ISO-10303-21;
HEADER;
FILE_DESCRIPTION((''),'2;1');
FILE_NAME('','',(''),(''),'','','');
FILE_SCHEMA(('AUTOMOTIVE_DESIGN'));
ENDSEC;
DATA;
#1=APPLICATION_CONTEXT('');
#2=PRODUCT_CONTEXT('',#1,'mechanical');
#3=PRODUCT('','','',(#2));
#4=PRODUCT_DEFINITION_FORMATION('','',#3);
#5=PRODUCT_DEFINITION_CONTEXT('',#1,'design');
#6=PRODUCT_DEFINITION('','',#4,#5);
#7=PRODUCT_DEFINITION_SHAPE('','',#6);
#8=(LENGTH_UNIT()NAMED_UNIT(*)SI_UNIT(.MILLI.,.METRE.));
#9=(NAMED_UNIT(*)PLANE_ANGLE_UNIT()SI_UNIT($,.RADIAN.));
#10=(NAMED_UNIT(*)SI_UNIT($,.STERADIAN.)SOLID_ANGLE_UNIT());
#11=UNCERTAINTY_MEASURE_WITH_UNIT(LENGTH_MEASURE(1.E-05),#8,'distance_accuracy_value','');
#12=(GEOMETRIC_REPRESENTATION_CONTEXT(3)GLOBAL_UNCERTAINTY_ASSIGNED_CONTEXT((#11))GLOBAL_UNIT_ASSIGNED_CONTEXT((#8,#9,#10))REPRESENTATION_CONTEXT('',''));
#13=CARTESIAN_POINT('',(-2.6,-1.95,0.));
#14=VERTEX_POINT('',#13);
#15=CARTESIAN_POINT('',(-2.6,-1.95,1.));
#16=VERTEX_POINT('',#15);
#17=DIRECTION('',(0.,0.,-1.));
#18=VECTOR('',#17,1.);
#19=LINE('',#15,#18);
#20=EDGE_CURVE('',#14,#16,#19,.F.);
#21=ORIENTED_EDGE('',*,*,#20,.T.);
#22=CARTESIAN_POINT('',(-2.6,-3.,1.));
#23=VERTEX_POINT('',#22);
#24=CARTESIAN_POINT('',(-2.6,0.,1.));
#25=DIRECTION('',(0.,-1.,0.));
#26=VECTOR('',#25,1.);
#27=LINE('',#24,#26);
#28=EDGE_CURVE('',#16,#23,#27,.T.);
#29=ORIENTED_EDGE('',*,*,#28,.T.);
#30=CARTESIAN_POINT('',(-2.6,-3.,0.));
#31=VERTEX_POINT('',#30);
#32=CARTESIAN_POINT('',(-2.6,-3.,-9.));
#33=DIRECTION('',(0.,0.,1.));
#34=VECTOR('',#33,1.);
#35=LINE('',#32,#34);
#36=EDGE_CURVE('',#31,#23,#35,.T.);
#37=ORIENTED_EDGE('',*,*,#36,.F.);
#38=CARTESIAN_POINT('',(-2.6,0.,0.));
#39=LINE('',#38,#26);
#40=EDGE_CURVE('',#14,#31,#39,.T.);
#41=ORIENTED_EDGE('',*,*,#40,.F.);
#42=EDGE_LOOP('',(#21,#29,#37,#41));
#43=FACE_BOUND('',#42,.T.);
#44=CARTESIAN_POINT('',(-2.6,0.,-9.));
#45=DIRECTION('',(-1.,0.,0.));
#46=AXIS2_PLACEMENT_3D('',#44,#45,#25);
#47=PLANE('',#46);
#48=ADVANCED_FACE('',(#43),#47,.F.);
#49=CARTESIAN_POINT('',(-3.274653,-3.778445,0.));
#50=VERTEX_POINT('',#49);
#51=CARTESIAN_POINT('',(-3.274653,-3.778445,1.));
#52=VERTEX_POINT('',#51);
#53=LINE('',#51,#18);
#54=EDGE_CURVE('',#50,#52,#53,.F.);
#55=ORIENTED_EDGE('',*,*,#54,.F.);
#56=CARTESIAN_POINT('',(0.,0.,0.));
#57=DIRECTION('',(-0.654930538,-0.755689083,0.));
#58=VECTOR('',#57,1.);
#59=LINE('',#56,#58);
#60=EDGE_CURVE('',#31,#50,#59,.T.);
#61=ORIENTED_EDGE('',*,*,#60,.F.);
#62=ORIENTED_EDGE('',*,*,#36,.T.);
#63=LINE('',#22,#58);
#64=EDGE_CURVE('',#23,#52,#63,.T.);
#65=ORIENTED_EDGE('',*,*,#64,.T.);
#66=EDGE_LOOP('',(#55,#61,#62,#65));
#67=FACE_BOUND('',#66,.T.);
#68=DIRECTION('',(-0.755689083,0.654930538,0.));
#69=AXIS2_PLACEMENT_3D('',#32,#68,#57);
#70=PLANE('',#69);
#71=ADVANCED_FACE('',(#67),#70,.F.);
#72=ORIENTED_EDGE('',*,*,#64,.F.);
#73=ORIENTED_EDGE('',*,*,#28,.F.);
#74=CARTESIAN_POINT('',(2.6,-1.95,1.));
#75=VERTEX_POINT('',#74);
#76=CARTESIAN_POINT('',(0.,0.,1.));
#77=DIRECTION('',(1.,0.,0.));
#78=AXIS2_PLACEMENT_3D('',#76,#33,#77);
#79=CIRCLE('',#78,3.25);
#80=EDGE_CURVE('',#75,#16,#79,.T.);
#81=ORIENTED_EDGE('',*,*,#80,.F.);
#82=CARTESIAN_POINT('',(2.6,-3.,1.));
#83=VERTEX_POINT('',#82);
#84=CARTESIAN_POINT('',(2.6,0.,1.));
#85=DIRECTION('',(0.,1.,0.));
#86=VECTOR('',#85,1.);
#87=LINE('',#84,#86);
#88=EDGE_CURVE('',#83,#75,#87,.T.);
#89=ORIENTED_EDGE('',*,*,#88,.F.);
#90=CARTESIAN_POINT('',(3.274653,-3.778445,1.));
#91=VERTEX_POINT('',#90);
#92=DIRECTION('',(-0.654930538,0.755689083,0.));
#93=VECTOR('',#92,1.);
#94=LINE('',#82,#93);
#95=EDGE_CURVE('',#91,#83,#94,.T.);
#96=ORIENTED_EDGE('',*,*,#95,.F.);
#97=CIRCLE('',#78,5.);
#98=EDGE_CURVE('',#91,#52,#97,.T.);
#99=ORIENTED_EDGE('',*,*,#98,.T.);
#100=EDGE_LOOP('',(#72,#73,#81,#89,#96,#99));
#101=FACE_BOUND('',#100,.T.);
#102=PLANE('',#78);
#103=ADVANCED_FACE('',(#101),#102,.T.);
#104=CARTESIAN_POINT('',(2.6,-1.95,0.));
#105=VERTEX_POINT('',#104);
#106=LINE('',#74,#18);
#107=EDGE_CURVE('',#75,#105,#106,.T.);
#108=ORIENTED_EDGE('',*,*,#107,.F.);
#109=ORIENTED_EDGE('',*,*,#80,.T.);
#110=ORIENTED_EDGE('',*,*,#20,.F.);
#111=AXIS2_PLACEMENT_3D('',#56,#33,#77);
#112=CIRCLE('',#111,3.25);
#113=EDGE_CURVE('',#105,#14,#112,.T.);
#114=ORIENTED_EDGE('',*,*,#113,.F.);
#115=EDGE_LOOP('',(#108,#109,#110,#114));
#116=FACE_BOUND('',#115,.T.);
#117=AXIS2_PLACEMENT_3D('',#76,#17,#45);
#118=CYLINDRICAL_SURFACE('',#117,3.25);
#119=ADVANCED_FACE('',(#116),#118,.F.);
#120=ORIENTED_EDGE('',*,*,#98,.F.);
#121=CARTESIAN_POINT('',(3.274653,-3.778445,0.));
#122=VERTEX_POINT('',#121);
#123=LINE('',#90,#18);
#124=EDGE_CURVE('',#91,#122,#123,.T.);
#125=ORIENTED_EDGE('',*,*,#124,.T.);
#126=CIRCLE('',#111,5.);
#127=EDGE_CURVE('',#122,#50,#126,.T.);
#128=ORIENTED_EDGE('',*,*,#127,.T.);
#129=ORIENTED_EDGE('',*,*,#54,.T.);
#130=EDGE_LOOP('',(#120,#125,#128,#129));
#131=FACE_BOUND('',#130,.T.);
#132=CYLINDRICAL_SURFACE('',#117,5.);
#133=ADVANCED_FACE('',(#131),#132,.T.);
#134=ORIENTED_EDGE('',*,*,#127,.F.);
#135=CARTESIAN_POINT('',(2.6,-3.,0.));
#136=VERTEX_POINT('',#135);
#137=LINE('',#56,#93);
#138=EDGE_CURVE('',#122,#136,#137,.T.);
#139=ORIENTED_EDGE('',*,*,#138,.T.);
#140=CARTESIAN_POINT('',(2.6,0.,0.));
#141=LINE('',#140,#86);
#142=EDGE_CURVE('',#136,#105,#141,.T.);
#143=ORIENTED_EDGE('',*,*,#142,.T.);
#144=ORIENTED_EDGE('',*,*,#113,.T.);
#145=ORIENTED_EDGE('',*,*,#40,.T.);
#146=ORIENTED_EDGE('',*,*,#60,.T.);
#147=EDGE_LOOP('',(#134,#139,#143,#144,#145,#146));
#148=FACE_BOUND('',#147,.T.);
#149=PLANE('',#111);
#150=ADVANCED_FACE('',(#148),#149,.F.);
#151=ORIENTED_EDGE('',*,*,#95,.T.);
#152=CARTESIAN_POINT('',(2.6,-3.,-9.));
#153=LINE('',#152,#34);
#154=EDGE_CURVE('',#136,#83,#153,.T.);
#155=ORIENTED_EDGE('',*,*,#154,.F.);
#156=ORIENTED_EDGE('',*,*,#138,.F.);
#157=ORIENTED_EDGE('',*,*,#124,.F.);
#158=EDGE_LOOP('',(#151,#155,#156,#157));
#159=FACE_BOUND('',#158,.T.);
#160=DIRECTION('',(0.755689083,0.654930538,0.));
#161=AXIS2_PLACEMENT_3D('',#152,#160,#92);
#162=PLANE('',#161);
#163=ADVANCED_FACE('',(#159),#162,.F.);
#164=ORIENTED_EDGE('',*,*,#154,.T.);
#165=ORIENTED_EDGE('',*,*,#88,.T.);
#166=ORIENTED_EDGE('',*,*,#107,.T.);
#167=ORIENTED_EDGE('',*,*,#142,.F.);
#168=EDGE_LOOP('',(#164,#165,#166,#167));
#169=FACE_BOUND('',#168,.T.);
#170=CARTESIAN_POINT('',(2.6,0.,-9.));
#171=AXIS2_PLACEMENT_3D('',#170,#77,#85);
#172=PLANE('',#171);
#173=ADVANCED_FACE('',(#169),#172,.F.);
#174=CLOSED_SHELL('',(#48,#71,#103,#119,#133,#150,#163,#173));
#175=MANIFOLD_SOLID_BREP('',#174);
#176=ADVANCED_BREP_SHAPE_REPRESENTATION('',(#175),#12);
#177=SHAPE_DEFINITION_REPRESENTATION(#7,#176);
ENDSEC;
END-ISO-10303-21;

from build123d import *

# Parameters (mm, degrees)
CROQUIS1_R              = 5
CROQUIS1_R_2            = 3.25
SALIENTE_EXTRUIR1_DEPTH = 1
CORTAR_EXTRUIR1_DEPTH   = 10


with BuildPart() as part:
    # Croquis1 → Saliente-Extruir1 (new body)
    with BuildSketch(Plane.XY):
        Circle(CROQUIS1_R)
        Circle(CROQUIS1_R_2, mode=Mode.SUBTRACT)
    extrude(amount=SALIENTE_EXTRUIR1_DEPTH)

    # Croquis2 → Cortar-Extruir1 (cut)
    with BuildSketch(Plane.XY.offset(1)):
        Polygon((-2.6, -3), (-3.274652692, -3.778445414), (-3.274652692, -6), (-2.6, -6), (2.6, -6), (3.274652692, -6), (3.274652692, -3.778445414), (2.6, -3), (2.6, 0), (-2.6, 0), align=None)
    extrude(amount=-CORTAR_EXTRUIR1_DEPTH, mode=Mode.SUBTRACT)


solid = part.part
